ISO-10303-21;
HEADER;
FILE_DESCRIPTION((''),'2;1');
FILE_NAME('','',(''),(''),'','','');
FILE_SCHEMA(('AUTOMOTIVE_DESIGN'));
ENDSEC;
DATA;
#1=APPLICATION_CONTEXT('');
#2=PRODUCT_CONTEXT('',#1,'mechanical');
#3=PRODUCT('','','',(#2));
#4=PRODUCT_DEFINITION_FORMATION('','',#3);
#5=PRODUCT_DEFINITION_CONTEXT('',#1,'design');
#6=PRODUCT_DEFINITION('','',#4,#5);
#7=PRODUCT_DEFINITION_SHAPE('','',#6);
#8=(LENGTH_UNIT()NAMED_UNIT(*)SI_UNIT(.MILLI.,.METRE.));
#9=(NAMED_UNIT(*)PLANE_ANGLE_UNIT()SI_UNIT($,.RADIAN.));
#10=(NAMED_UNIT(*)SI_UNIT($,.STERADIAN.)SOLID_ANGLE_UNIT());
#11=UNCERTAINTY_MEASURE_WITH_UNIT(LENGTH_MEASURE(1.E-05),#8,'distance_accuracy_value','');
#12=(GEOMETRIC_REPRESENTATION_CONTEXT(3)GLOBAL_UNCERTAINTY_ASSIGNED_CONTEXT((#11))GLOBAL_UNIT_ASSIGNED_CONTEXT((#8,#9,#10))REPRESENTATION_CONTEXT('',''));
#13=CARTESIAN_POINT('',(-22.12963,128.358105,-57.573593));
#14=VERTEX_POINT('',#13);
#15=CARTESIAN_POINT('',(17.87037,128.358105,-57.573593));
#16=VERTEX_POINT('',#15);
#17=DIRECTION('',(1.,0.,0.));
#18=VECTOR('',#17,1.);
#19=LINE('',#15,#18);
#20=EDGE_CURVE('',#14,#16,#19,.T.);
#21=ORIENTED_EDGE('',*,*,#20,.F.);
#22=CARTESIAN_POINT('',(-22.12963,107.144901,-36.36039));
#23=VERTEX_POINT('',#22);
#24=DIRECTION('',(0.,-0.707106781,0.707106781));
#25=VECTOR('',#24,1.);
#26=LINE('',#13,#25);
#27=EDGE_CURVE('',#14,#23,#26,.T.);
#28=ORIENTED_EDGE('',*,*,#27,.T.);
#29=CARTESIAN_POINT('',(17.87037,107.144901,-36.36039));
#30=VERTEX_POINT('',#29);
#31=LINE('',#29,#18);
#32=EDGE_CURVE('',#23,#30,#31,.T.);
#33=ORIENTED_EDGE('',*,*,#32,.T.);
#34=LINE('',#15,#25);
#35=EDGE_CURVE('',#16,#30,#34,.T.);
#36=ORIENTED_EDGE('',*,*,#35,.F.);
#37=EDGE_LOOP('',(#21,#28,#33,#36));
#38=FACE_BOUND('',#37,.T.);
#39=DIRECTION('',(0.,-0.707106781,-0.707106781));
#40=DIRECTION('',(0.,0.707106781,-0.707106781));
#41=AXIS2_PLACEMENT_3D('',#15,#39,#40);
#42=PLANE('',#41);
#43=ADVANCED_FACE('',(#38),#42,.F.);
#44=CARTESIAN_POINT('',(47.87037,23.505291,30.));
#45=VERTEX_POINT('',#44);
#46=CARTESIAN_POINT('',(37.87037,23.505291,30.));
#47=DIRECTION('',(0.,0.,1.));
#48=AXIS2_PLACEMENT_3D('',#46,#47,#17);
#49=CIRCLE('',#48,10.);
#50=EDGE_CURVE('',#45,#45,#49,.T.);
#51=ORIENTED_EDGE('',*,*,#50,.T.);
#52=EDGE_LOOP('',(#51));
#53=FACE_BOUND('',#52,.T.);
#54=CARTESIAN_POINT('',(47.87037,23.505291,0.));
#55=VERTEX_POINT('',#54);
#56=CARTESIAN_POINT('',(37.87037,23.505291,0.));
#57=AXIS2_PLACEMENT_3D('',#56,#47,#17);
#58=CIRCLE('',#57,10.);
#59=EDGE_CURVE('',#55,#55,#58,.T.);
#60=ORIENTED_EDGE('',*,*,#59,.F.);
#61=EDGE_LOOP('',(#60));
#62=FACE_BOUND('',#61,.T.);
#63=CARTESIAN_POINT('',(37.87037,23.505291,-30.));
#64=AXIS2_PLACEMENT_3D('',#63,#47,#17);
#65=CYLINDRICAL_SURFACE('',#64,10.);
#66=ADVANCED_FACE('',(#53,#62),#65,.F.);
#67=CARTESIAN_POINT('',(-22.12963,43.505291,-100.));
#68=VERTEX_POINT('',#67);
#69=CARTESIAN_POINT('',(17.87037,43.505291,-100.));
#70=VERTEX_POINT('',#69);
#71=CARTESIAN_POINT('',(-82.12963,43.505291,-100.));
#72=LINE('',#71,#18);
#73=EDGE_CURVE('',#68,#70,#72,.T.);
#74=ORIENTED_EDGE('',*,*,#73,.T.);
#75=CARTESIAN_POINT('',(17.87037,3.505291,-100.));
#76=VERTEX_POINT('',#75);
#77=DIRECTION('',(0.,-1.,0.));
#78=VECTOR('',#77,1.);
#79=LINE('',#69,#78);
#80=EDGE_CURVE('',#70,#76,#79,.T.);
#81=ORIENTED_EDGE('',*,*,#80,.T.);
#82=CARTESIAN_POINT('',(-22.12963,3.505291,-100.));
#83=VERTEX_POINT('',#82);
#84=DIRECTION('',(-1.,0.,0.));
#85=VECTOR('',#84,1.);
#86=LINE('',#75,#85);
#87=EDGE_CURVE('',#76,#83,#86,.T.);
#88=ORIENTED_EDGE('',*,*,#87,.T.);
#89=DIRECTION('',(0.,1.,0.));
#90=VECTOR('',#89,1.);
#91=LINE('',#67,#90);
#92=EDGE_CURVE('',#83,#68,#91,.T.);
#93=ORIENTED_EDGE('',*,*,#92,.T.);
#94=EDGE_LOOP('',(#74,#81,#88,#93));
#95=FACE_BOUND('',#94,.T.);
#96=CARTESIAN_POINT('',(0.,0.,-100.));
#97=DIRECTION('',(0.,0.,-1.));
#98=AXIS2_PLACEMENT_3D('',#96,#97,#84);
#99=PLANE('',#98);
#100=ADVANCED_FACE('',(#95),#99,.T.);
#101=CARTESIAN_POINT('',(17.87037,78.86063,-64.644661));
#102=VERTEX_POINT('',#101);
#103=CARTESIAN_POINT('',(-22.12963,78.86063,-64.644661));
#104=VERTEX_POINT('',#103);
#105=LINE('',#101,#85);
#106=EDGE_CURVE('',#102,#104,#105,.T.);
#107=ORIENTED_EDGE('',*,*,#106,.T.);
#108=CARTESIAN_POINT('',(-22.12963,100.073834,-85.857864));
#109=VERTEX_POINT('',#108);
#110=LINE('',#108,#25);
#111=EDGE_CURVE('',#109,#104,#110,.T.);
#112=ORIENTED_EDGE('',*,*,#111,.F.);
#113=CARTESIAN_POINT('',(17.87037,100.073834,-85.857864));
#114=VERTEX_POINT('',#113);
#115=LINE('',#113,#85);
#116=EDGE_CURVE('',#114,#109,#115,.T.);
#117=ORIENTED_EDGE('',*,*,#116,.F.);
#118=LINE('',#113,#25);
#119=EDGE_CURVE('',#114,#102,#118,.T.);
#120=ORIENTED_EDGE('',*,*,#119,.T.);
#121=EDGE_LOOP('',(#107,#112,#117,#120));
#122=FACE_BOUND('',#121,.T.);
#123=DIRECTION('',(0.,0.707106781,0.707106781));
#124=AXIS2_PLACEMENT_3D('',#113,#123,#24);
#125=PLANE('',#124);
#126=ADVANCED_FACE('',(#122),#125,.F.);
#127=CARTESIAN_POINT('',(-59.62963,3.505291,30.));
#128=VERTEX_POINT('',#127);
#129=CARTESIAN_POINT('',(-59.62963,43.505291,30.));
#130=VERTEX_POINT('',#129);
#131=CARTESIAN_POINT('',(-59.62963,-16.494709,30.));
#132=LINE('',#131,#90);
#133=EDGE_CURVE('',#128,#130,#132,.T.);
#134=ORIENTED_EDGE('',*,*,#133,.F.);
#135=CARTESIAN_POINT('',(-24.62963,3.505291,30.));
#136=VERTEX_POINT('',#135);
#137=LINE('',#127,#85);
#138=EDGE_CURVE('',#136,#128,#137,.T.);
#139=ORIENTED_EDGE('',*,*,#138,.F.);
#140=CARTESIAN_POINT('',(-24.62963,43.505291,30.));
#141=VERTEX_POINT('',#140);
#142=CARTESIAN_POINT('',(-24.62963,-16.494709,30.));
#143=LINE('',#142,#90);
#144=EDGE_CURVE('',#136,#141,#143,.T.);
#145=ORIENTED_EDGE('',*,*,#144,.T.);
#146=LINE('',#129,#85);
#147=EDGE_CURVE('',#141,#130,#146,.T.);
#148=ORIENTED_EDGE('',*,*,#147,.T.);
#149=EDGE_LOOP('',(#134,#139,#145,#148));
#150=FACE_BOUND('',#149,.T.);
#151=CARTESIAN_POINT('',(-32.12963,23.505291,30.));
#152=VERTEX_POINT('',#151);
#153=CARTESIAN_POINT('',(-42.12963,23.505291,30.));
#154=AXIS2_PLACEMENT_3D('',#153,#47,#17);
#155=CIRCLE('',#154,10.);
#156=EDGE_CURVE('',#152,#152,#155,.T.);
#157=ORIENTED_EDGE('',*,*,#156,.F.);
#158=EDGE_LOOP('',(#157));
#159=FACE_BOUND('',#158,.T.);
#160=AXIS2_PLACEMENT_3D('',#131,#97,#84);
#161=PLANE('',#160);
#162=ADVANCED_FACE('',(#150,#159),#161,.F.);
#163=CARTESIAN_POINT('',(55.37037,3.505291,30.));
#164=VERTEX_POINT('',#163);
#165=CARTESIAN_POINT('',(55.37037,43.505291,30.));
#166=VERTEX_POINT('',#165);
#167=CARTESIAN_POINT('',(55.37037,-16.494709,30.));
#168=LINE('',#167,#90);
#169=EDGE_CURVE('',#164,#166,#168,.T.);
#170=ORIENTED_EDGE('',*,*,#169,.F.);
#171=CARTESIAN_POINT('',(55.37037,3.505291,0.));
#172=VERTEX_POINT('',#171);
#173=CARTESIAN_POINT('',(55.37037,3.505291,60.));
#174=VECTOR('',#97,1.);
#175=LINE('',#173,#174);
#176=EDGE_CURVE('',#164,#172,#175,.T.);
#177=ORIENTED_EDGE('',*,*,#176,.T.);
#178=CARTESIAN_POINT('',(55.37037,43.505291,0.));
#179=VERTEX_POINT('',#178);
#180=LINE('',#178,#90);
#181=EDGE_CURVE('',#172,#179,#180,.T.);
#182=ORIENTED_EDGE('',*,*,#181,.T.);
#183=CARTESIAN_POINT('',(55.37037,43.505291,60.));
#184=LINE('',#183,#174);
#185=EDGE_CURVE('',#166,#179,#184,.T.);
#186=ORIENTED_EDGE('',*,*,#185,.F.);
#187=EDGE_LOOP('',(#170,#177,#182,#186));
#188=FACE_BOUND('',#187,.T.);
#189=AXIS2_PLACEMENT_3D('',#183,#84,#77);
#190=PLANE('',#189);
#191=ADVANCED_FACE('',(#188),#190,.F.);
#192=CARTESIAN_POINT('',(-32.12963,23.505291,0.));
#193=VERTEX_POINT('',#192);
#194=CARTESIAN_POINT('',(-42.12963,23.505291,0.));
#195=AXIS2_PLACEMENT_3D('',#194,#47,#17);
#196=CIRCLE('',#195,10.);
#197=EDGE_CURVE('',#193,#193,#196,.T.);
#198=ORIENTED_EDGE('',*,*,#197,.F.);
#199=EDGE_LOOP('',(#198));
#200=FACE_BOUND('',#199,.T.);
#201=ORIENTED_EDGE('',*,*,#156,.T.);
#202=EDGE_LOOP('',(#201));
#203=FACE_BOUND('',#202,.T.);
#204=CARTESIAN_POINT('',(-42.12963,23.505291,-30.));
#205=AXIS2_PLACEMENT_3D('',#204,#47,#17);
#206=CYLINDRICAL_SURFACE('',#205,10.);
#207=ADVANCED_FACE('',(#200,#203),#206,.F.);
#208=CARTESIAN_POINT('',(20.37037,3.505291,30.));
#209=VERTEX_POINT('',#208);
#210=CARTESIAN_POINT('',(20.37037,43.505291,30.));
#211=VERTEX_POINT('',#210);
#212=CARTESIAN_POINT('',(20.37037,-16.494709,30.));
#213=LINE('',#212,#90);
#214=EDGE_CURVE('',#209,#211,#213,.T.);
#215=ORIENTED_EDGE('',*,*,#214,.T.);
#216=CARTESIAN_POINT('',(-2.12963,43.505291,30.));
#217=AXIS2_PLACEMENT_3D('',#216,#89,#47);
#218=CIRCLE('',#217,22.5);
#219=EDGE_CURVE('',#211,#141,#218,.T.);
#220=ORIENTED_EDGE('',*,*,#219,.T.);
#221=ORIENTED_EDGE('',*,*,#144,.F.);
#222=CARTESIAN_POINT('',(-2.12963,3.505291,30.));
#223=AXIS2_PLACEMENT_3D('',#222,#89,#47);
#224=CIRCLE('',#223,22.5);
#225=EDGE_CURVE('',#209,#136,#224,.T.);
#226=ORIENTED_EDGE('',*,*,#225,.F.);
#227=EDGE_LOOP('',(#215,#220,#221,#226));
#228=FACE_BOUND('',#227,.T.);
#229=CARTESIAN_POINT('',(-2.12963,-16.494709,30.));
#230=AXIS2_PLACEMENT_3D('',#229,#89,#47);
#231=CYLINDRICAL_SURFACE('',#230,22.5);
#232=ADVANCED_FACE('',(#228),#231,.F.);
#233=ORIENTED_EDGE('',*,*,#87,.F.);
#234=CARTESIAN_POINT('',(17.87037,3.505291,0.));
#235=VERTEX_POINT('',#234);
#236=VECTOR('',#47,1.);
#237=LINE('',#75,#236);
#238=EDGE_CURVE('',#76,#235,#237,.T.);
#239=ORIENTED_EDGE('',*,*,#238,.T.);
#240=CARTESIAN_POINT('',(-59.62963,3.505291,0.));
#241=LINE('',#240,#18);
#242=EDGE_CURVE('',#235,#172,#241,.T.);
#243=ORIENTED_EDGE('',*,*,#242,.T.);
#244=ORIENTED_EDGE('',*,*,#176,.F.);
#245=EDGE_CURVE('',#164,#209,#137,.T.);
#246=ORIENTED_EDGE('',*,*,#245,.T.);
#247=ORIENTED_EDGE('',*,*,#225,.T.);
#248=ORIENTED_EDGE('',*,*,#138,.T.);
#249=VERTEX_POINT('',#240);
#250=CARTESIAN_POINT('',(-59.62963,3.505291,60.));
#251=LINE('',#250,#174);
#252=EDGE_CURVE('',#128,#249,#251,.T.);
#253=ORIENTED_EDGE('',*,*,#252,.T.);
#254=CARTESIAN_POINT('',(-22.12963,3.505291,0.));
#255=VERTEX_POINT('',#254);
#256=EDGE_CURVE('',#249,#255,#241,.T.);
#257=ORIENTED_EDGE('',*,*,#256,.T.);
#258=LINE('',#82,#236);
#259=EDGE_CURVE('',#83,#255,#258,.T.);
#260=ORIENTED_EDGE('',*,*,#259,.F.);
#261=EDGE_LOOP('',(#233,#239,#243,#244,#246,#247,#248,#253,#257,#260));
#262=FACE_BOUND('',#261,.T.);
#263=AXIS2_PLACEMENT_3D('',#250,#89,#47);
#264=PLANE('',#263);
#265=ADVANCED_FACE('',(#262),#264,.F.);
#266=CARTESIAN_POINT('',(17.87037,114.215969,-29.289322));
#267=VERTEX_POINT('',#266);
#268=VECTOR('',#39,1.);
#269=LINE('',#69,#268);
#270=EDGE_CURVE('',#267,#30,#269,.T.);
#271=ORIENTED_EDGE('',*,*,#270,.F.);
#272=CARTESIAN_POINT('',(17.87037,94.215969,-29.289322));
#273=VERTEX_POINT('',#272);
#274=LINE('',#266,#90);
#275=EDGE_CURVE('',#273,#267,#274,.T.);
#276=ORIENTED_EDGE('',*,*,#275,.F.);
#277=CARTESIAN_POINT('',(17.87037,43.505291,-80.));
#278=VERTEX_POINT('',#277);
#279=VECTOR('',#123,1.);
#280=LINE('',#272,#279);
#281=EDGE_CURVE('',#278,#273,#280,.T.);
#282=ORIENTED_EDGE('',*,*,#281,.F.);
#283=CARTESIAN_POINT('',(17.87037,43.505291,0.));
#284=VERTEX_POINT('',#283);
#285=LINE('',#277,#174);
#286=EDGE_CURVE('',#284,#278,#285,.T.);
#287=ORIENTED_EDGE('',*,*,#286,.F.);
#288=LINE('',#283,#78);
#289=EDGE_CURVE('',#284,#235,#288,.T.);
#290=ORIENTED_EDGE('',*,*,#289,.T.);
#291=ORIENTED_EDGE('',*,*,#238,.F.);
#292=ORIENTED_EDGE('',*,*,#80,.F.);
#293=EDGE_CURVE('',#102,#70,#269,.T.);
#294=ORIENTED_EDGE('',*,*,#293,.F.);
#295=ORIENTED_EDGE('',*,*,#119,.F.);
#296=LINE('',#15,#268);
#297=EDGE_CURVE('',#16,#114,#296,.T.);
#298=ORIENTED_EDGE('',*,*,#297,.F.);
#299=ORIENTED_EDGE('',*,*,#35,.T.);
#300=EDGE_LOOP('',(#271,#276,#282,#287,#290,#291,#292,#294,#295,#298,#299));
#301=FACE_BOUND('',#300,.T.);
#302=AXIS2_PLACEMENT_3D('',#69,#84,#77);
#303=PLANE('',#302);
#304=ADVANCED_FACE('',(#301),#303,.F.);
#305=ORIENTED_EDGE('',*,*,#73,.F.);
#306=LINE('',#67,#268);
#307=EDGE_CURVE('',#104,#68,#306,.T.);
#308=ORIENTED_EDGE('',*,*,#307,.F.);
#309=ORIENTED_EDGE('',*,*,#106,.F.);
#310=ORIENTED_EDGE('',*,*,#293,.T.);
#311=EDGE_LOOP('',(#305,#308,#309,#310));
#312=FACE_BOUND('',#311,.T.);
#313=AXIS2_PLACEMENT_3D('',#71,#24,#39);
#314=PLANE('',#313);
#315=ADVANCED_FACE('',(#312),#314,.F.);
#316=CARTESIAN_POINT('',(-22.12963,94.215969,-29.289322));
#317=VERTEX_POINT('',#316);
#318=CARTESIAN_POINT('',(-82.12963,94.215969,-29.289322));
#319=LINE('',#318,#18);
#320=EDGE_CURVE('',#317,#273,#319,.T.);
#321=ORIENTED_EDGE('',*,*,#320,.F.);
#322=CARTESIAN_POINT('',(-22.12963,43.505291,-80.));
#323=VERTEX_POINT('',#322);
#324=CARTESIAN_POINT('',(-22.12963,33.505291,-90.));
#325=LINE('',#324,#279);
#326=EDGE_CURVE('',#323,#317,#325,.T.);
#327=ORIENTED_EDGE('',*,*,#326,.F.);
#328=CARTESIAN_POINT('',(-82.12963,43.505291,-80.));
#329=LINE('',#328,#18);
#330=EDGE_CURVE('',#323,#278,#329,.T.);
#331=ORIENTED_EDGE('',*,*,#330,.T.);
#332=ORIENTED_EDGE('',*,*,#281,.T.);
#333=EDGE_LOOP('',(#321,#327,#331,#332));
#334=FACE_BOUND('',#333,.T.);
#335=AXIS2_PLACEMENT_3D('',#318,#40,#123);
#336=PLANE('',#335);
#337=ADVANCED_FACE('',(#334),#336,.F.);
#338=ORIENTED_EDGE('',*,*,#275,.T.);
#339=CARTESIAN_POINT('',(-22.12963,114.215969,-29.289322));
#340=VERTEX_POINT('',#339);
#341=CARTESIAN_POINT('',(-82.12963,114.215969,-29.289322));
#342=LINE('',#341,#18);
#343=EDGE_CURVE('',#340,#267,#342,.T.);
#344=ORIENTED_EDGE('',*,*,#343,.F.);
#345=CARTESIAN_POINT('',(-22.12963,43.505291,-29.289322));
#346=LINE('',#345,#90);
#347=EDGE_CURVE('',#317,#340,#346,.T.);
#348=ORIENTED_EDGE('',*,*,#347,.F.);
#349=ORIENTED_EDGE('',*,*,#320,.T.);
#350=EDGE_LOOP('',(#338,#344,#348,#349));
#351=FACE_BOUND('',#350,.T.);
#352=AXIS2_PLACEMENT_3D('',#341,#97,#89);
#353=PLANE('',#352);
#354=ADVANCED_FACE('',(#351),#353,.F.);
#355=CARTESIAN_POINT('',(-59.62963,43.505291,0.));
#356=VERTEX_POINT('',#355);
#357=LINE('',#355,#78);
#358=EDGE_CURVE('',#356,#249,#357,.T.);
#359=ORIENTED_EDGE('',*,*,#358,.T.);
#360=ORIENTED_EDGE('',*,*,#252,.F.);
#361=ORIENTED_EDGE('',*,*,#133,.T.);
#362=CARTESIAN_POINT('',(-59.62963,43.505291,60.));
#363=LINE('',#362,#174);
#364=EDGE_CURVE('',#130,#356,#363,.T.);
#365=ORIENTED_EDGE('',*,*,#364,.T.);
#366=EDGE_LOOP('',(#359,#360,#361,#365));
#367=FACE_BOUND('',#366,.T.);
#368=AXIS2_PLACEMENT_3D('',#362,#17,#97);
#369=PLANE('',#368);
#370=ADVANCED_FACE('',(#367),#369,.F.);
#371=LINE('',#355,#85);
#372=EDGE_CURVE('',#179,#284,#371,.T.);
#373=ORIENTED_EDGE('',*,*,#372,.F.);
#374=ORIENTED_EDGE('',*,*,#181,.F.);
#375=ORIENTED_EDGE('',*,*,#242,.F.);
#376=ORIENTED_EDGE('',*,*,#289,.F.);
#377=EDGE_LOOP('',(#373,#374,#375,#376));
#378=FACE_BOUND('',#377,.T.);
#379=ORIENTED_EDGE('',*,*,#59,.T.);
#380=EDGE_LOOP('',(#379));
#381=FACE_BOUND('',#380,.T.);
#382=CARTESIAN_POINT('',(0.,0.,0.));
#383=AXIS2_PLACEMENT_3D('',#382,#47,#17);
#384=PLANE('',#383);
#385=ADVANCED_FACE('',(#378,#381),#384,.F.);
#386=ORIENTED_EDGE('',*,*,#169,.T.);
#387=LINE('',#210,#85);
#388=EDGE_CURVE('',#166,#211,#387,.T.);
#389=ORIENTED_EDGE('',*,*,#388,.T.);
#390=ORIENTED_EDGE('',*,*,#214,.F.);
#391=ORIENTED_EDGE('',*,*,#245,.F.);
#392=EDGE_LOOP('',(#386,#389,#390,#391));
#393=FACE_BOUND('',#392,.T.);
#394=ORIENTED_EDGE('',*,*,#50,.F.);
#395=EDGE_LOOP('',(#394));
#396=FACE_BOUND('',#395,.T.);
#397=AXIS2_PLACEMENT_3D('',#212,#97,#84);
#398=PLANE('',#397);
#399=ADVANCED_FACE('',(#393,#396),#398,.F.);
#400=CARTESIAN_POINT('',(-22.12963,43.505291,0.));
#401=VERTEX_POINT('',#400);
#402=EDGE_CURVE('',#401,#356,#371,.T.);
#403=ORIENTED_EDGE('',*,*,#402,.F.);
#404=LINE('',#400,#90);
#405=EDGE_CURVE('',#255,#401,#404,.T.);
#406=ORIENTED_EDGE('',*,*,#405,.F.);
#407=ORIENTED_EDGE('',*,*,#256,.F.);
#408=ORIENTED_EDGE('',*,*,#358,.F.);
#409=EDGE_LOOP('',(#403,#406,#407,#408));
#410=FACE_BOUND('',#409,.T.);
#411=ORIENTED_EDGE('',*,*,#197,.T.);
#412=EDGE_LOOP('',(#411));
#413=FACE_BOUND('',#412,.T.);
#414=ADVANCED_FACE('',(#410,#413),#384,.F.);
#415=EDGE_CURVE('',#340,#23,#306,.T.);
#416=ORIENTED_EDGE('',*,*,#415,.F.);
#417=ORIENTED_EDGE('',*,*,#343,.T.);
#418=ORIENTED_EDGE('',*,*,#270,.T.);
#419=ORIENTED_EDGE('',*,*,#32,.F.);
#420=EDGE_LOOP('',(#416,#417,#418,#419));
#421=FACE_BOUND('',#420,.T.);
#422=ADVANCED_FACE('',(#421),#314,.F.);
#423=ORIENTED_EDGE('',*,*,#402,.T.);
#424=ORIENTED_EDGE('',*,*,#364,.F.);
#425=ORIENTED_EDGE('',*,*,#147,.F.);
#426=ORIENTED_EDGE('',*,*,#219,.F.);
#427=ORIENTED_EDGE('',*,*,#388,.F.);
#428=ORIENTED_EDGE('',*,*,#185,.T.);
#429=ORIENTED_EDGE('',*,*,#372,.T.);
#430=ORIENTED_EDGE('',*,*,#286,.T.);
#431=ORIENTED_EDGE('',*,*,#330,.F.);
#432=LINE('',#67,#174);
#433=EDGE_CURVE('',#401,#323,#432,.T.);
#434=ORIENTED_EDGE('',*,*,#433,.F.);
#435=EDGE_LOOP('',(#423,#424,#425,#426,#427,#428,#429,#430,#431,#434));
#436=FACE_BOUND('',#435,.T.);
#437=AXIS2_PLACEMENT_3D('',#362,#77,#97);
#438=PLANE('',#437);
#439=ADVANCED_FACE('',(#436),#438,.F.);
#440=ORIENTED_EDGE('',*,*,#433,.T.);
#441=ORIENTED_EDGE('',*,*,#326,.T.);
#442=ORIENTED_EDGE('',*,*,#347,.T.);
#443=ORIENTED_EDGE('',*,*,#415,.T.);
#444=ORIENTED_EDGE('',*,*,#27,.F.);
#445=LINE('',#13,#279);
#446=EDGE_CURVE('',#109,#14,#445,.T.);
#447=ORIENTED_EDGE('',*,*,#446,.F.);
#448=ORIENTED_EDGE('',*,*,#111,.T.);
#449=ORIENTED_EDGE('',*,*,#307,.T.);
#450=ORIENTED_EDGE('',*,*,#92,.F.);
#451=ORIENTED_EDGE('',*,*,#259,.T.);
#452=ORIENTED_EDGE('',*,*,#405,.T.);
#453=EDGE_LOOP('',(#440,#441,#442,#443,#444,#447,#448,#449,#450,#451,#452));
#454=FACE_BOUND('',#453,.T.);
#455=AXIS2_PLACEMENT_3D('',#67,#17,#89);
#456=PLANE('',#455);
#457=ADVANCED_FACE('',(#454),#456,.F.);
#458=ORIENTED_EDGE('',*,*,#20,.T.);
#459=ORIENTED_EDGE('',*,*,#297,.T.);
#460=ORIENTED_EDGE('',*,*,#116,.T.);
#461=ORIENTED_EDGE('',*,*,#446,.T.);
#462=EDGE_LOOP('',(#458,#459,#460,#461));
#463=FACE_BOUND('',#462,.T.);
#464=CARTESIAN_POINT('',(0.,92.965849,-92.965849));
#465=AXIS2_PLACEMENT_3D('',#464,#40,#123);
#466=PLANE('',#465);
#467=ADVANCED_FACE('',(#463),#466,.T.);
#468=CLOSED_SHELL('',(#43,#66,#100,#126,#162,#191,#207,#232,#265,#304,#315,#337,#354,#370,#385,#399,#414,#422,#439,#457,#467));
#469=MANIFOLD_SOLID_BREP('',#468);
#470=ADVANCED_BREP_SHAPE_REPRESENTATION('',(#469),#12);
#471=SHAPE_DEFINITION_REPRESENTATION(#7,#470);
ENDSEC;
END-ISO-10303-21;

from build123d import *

# Parameters (mm, degrees)
SKETCH2_W           = 115
SKETCH2_H           = 40
BOSS_EXTRUDE1_DEPTH = 60
CUT_EXTRUDE1_DEPTH  = 60
SKETCH4_R           = 10
CUT_EXTRUDE2_DEPTH  = 60
SKETCH5_W           = 40
SKETCH5_H           = 40
BOSS_EXTRUDE2_DEPTH = 100
SKETCH9_W           = 40
SKETCH9_H           = 100
BOSS_EXTRUDE4_DEPTH = 100
CUT_EXTRUDE10_DEPTH = 100
SKETCH12_W          = 40
SKETCH12_H          = 40
BOSS_EXTRUDE6_DEPTH = 30


with BuildPart() as part:
    # Sketch2 → Boss-Extrude1 (new body)
    with BuildSketch(Plane.XY):
        with Locations((-2.12962963, 23.505291005)):
            Rectangle(SKETCH2_W, SKETCH2_H)
    extrude(amount=BOSS_EXTRUDE1_DEPTH)

    # Sketch3 → Cut-Extrude1 (cut)
    with BuildSketch(Plane(origin=(0, 43.505291005, 0), x_dir=(1, 0, 0), z_dir=(0, 1, 0))):
        with BuildLine():
            Line((-59.62962963, -30), (-24.62962963, -30))
            ThreePointArc((-24.62962963, -30), (-2.12962963, -7.5), (20.37037037, -30))
            Line((20.37037037, -30), (55.37037037, -30))
            Line((55.37037037, -30), (55.37037037, -60))
            Line((55.37037037, -60), (-59.62962963, -60))
            Line((-59.62962963, -60), (-59.62962963, -30))
        make_face()
    extrude(amount=-CUT_EXTRUDE1_DEPTH, mode=Mode.SUBTRACT)

    # Sketch4 → Cut-Extrude2 (cut)
    with BuildSketch(Plane.XY.offset(30)):
        with Locations((-42.12962963, 23.505291005)):
            Circle(SKETCH4_R)
        with Locations((37.87037037, 23.505291005)):
            Circle(SKETCH4_R)
    extrude(amount=-CUT_EXTRUDE2_DEPTH, mode=Mode.SUBTRACT)

    # Sketch5 → Boss-Extrude2 (add)
    with BuildSketch(Plane(origin=(0, 0, 0), x_dir=(-1, 0, 0), z_dir=(0, 0, -1))):
        with Locations((2.12962963, 23.505291005)):
            Rectangle(SKETCH5_W, SKETCH5_H)
    extrude(amount=BOSS_EXTRUDE2_DEPTH)

    # Sketch9 → Boss-Extrude4 (add)
    with BuildSketch(Plane(origin=(0, 43.505291005, 0), x_dir=(1, 0, 0), z_dir=(0, 1, 0))):
        with Locations((-2.12962963, 50)):
            Rectangle(SKETCH9_W, SKETCH9_H)
    extrude(amount=BOSS_EXTRUDE4_DEPTH)

    # Sketch10 → Cut-Extrude10 (cut)
    with BuildSketch(Plane(origin=(17.87037037, 0, 0), x_dir=(0, 0, -1), z_dir=(1, 0, 0))):
        Polygon((100, 43.505291005), (29.289321881, 114.215969124), (29.289321881, 94.215969124), (80, 43.505291005), (0, 43.505291005), (0, 143.505291005), (100, 143.505291005), align=None)
    extrude(amount=-CUT_EXTRUDE10_DEPTH, mode=Mode.SUBTRACT)

    # Sketch12 → Boss-Extrude6 (add)
    with BuildSketch(Plane(origin=(0, 71.752645503, -71.752645503), x_dir=(1, 0, 0), z_dir=(0, 0.7071067811865513, -0.7071067811865438))):
        with Locations((-2.12962963, -30.052208169)):
            Rectangle(SKETCH12_W, SKETCH12_H)
    extrude(amount=BOSS_EXTRUDE6_DEPTH)


solid = part.part
